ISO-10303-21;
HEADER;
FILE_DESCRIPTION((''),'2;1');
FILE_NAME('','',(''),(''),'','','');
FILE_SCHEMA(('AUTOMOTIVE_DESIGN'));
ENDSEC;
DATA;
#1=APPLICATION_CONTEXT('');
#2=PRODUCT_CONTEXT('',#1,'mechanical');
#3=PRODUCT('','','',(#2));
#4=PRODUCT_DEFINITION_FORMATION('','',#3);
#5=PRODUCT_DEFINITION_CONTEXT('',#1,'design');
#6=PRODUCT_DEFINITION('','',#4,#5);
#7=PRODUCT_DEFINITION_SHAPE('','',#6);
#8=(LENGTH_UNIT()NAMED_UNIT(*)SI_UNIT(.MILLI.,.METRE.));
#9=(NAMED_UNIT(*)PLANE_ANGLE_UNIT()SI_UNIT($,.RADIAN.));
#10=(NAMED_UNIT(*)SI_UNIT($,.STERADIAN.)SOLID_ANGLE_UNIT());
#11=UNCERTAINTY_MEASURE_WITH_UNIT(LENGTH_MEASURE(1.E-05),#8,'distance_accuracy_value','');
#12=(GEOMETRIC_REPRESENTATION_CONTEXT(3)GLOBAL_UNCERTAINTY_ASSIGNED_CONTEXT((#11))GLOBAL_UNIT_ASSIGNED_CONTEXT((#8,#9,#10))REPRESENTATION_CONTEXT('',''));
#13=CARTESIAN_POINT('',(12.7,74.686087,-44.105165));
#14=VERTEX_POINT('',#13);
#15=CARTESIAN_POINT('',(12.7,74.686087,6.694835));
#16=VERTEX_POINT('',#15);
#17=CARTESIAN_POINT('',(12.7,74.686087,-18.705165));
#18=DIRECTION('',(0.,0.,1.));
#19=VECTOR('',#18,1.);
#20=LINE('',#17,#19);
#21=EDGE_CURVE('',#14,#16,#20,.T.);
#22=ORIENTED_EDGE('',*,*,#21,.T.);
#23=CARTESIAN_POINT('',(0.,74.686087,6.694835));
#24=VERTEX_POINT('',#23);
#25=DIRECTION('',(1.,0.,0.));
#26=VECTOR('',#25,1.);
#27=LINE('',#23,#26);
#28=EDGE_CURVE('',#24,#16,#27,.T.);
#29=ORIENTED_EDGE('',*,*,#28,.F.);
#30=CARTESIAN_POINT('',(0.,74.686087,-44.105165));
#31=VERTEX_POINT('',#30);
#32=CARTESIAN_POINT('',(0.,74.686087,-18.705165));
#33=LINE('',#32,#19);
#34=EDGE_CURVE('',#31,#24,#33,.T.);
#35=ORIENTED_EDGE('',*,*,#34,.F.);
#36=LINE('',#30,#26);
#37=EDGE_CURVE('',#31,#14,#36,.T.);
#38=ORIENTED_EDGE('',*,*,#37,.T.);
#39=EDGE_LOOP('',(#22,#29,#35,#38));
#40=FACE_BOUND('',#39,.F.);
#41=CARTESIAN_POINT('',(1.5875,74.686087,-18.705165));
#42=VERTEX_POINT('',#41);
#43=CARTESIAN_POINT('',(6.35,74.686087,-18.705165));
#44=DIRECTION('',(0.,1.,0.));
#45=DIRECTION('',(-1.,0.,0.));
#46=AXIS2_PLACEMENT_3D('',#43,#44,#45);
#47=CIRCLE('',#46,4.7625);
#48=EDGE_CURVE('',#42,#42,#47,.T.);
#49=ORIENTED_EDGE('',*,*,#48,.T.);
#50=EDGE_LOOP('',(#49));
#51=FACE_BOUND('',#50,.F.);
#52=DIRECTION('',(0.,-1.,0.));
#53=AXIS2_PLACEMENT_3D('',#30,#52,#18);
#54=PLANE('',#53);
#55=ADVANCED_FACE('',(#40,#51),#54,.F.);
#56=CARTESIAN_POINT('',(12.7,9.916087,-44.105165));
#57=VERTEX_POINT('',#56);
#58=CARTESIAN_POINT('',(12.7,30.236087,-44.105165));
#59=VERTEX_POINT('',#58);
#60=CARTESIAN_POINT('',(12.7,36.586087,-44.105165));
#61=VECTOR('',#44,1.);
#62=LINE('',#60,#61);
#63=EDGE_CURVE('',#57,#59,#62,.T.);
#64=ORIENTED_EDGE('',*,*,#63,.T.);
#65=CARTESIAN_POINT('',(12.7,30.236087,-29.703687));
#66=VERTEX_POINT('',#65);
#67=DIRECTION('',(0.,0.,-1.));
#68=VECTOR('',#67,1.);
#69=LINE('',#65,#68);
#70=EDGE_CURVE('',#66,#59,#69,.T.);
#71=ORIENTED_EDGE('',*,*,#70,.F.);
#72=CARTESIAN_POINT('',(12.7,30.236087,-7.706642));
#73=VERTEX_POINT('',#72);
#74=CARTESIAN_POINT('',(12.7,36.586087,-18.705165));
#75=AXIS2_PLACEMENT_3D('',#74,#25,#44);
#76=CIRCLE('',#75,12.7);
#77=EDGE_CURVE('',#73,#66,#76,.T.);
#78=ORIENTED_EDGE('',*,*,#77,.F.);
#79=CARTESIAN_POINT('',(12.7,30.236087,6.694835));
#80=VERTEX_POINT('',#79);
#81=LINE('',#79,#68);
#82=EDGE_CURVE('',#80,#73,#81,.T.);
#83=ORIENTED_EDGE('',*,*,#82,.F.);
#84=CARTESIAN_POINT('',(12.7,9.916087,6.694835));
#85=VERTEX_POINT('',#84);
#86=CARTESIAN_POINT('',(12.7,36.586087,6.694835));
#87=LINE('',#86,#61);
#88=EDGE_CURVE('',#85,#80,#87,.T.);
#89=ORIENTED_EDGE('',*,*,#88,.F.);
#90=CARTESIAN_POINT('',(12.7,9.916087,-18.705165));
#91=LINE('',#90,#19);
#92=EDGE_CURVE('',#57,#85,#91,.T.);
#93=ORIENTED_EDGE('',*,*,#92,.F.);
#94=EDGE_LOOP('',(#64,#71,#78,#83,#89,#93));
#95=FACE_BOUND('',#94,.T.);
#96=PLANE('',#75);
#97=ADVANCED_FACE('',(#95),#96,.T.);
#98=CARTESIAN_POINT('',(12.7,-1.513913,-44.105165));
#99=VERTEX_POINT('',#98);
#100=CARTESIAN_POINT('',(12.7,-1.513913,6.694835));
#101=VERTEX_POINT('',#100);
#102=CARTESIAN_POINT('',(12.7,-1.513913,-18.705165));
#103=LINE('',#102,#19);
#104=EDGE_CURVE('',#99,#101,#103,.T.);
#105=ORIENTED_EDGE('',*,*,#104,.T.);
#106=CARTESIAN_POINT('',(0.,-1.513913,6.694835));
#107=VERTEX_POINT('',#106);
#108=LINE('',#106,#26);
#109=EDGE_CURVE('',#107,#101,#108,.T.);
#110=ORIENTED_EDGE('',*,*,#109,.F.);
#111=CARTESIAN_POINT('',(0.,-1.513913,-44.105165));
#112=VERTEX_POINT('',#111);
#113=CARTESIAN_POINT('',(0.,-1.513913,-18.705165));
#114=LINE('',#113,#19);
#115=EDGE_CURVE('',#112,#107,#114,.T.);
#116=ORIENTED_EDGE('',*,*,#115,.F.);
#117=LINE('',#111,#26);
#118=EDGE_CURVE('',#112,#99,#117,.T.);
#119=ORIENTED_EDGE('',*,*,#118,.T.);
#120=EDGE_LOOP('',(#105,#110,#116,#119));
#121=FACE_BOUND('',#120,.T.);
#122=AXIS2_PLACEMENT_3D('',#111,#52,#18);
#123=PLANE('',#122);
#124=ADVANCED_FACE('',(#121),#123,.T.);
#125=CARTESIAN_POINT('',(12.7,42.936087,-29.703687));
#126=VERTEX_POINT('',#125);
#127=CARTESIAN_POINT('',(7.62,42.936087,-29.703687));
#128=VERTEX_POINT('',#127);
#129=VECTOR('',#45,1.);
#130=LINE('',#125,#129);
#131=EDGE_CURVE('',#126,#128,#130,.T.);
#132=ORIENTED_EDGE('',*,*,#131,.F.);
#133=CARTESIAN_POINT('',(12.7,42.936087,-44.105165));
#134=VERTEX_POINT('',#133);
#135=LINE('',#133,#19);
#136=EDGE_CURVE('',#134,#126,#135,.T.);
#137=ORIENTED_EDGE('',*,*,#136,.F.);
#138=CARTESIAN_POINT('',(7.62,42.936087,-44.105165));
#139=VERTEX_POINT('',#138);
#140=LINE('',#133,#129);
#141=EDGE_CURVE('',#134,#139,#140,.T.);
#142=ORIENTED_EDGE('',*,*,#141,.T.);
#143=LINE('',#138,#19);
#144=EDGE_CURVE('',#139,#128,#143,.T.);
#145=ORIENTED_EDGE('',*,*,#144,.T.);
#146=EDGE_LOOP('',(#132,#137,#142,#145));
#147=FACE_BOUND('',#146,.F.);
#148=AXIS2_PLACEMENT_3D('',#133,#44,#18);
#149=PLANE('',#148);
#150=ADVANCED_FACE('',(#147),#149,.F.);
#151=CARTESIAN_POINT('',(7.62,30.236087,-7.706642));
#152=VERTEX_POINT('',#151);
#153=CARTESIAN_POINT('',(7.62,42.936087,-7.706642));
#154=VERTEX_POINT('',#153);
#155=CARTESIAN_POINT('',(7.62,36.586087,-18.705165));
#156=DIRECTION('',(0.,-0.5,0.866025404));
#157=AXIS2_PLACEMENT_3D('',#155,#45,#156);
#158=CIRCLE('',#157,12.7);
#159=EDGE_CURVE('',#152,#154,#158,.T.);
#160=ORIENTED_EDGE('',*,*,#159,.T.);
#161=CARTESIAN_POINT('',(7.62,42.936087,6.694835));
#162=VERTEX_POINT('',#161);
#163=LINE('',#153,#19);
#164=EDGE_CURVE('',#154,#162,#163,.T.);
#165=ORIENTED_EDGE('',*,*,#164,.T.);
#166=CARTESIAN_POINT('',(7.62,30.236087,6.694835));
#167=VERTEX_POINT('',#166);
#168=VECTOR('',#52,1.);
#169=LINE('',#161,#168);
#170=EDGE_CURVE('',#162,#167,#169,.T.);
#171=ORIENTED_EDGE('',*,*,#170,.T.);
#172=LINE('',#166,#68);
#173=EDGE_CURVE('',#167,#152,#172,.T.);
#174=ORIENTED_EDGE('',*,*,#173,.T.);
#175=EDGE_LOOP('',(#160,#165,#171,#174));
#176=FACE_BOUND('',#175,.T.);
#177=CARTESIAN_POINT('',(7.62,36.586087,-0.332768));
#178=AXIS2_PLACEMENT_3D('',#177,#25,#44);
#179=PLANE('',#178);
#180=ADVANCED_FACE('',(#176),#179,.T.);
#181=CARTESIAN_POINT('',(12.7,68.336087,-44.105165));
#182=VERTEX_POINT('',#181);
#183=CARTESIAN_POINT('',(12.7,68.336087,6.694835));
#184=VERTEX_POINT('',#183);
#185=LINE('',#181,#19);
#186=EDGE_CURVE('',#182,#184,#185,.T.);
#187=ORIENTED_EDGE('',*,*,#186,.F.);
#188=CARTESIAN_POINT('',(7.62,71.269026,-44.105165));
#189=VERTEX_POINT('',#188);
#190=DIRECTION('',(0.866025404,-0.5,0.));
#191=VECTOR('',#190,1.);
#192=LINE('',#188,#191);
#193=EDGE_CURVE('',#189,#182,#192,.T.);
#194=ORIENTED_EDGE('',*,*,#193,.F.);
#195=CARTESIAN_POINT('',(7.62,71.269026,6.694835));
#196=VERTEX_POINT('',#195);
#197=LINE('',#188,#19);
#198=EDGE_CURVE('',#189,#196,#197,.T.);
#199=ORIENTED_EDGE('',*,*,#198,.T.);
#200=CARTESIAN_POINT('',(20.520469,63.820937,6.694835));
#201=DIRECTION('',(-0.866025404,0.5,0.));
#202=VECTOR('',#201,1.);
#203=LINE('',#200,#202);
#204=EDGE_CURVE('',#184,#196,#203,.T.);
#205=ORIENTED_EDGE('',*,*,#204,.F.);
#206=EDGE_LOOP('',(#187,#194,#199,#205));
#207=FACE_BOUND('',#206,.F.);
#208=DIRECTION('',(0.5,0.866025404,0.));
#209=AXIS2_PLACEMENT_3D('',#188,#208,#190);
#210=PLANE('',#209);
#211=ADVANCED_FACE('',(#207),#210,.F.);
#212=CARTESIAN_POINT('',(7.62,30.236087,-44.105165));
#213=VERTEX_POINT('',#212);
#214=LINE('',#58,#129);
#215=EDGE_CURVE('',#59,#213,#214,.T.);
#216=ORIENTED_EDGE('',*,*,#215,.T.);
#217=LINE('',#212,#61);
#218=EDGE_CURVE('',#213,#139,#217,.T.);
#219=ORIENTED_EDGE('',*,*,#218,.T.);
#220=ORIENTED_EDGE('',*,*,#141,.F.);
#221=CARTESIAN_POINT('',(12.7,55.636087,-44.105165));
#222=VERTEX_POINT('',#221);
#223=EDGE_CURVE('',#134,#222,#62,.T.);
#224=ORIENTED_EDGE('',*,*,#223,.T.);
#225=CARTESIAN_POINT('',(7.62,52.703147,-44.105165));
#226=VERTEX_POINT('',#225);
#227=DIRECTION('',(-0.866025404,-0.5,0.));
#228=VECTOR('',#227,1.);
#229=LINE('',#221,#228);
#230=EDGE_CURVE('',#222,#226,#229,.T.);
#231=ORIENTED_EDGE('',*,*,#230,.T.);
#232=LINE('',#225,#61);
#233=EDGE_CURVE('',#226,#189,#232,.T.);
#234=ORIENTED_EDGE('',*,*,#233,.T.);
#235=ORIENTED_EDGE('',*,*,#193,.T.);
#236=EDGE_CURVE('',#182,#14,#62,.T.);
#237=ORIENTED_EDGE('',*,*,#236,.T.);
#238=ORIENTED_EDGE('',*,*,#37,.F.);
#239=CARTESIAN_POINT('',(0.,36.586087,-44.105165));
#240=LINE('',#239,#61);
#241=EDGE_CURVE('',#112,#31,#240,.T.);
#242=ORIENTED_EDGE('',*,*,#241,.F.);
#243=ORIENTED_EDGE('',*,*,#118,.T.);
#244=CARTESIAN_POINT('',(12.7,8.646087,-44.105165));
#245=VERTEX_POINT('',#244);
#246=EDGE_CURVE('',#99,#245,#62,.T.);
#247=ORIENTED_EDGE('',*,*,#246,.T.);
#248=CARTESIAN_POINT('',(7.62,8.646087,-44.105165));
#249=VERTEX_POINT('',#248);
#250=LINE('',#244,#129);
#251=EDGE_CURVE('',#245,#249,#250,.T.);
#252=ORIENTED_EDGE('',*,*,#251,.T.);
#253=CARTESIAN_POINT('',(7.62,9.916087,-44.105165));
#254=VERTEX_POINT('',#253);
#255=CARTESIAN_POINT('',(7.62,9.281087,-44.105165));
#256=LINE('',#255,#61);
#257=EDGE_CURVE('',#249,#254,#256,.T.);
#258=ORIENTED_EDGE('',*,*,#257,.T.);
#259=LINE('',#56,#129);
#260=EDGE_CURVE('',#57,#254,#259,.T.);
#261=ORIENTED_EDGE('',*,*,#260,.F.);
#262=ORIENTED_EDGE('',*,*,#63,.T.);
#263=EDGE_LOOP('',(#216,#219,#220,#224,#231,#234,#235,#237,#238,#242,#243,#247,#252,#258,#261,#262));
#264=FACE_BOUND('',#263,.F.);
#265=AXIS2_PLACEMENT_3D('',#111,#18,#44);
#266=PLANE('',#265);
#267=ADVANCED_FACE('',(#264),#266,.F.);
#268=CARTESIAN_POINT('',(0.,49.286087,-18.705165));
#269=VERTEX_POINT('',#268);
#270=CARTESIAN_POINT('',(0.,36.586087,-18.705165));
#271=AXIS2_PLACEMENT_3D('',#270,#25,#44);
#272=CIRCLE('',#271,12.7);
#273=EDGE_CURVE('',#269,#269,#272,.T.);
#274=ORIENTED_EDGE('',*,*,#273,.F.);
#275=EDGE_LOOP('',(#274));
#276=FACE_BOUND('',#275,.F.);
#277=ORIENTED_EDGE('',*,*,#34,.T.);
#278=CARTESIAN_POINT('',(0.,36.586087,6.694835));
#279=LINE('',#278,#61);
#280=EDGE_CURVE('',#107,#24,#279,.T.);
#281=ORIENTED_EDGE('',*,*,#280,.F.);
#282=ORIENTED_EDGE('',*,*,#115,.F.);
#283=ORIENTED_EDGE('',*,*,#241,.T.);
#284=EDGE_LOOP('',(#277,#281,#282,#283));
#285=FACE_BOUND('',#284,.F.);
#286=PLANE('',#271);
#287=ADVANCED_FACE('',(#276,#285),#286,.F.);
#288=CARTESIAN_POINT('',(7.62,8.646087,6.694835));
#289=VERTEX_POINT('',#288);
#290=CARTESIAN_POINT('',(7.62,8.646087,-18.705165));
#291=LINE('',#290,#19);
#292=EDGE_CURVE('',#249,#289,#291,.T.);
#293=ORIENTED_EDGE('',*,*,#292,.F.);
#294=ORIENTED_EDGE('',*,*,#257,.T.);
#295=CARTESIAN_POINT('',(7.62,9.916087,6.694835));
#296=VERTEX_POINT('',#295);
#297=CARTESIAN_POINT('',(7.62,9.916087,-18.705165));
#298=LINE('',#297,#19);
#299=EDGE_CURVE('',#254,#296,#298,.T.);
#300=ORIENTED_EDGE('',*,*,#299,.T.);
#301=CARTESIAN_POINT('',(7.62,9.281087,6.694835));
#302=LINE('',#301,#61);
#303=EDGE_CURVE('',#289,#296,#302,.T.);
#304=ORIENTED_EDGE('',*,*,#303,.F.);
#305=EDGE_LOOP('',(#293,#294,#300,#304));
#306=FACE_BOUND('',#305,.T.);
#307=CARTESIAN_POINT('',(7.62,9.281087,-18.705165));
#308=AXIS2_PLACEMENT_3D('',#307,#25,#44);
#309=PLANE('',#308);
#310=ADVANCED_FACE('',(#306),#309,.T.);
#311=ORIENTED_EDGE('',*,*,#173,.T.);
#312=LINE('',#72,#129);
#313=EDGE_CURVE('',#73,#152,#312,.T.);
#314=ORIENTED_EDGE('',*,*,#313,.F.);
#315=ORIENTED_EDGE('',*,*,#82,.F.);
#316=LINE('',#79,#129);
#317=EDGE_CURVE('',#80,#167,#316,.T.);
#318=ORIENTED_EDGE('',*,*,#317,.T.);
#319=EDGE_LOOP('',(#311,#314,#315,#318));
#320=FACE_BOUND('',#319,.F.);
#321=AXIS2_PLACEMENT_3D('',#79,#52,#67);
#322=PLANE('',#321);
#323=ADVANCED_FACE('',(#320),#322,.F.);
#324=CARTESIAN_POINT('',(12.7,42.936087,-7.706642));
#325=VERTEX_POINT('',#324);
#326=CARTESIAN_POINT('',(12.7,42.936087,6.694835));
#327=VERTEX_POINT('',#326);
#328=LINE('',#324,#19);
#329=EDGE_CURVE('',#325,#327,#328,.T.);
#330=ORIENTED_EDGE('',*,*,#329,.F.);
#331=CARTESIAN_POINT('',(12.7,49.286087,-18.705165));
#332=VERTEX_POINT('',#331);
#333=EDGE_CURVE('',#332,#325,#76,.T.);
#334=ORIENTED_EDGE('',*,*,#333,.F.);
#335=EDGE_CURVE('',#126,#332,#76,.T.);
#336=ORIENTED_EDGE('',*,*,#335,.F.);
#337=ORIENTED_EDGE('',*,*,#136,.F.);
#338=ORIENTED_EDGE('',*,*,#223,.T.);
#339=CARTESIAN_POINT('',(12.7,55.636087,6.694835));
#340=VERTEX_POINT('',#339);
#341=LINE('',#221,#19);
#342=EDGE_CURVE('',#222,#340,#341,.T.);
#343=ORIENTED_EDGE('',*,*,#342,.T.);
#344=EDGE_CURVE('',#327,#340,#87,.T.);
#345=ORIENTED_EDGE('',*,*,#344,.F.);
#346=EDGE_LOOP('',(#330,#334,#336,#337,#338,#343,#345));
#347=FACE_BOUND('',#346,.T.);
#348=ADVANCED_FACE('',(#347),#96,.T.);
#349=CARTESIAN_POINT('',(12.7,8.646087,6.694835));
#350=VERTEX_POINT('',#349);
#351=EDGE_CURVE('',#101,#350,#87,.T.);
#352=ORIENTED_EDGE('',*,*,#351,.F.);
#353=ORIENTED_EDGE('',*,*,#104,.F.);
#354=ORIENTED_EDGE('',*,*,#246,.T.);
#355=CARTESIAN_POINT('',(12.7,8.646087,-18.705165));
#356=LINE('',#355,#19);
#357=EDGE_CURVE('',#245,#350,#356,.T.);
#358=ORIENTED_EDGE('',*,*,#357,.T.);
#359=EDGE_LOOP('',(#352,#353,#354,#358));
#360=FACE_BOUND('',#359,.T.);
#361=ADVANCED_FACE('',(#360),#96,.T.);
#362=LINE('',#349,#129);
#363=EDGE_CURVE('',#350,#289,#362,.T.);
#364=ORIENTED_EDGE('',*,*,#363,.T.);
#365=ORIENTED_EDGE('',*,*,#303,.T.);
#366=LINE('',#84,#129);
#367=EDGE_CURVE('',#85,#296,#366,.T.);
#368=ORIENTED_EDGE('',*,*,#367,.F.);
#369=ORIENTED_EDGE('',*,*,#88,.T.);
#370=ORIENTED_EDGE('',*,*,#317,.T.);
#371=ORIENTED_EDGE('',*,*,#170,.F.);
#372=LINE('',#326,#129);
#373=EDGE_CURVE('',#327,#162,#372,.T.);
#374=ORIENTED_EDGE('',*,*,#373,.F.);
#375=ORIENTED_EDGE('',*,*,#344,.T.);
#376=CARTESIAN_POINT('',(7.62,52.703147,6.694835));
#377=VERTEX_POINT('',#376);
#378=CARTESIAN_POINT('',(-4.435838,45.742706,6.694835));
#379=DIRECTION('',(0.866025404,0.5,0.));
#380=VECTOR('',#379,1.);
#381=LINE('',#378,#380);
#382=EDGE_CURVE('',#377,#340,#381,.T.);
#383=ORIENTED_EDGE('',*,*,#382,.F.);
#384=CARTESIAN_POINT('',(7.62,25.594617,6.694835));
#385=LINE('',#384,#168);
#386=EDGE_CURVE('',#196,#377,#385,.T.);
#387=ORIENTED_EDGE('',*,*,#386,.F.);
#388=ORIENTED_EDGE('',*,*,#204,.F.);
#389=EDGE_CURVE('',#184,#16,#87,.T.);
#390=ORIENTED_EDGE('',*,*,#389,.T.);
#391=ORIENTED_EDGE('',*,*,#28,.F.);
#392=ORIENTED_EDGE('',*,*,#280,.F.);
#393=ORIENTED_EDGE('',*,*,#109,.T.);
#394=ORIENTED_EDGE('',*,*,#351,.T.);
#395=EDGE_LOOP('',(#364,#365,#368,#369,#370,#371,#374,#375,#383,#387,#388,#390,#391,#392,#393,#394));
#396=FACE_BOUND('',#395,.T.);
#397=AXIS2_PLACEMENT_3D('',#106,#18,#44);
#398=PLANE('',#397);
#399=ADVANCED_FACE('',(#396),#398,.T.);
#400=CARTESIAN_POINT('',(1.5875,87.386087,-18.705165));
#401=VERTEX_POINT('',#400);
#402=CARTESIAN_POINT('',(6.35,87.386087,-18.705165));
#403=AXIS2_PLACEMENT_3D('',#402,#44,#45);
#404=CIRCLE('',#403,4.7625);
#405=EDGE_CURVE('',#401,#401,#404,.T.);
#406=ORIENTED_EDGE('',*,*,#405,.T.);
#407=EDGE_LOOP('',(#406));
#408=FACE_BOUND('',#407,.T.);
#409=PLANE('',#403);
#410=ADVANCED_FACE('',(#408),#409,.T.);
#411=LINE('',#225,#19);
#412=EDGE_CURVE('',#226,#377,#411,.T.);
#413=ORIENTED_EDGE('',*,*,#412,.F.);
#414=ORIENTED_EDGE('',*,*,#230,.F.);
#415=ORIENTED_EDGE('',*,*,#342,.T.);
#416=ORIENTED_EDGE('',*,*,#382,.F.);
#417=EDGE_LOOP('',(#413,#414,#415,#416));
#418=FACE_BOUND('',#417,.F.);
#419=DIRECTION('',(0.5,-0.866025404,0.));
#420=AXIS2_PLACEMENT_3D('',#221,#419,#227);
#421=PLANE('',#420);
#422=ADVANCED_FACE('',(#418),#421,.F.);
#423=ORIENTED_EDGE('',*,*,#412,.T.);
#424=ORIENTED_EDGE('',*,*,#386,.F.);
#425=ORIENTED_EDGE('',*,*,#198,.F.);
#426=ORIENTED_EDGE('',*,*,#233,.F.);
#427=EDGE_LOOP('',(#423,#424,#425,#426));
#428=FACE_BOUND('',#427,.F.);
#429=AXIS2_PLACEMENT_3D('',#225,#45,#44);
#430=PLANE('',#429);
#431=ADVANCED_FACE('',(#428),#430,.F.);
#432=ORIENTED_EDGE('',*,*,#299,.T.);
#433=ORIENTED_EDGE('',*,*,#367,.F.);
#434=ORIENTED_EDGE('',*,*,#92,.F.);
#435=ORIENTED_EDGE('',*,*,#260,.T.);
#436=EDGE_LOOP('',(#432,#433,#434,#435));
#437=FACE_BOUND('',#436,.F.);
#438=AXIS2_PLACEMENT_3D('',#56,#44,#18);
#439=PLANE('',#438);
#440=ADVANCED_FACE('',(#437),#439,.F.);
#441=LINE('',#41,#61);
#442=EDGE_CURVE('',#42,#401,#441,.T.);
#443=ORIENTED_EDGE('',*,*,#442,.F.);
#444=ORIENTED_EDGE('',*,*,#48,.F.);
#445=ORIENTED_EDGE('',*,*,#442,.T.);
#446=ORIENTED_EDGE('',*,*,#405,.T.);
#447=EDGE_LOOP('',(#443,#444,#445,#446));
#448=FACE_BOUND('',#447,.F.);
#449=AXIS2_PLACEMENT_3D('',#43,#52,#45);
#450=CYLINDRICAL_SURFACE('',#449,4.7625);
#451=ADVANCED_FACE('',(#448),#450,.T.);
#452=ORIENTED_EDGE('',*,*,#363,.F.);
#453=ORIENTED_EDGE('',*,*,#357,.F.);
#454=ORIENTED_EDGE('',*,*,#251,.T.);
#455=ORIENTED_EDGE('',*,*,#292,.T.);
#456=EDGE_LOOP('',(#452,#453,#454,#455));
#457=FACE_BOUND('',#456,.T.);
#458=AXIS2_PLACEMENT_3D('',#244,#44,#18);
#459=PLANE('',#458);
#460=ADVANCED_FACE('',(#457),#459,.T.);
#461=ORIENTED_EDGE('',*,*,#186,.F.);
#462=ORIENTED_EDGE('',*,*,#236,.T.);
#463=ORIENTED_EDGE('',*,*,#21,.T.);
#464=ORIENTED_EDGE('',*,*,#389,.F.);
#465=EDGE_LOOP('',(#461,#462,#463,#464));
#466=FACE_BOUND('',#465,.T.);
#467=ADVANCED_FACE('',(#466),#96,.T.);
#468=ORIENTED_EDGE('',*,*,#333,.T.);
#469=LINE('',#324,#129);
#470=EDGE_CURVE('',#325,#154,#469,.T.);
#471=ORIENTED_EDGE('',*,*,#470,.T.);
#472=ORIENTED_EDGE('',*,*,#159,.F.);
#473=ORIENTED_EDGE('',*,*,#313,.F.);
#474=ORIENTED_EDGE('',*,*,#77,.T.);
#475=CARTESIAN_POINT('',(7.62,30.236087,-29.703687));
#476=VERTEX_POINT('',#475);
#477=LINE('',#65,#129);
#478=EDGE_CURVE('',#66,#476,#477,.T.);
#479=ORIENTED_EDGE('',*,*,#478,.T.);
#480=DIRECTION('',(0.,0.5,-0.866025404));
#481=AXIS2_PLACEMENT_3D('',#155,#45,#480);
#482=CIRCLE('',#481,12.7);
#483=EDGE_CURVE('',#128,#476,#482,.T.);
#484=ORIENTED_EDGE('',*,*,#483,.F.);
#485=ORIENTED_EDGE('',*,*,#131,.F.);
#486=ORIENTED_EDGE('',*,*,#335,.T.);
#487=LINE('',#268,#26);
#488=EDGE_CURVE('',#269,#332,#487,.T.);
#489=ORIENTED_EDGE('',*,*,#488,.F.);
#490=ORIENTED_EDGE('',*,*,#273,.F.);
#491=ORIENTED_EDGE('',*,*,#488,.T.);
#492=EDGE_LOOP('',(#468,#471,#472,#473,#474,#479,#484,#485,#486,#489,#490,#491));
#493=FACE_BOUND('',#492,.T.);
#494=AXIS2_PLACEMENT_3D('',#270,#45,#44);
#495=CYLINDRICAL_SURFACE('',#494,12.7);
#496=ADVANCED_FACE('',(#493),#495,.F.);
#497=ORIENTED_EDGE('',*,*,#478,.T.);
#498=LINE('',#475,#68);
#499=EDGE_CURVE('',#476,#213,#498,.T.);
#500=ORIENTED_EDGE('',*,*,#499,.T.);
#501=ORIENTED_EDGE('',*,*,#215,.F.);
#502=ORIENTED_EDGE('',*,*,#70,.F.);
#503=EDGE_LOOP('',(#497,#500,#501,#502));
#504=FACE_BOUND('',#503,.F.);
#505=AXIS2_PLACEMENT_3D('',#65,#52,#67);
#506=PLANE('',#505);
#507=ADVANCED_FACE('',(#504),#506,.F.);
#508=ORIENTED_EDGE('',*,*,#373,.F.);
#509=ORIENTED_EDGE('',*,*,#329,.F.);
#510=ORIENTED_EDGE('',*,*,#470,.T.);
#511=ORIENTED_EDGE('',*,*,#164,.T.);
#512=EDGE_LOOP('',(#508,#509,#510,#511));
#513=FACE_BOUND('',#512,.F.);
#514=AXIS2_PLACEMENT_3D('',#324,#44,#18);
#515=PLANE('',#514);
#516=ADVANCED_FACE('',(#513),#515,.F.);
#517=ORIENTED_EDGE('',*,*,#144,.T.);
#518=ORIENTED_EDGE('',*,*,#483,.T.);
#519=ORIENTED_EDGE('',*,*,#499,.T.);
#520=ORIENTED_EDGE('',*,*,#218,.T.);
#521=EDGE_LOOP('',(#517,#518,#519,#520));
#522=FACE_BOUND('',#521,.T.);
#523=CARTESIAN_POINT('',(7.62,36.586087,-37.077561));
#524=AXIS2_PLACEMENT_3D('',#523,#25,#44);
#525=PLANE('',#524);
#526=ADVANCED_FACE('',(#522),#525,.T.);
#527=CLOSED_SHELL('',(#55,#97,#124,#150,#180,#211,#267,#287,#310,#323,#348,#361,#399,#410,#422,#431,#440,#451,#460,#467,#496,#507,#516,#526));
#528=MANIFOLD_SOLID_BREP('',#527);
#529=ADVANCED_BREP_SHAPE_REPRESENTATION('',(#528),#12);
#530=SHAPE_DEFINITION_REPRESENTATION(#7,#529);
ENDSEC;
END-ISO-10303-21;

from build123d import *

# Parameters (mm, degrees)
F0_W     = 76.2
F0_H     = 50.8
F0_R     = 12.7
F1_DEPTH = 12.7
F2_W     = 1.27
F2_H     = 50.8
F3_DEPTH = 5.08
F5_DEPTH = 50.801
F6_R     = 4.7625
F7_DEPTH = 12.7


with BuildPart() as f1:
    # F0 (on Right) → F1 (new body)
    with BuildSketch(Plane.YZ):
        with Locations((36.5860867262, -18.7051647067)):
            Rectangle(F0_W, F0_H)
        with Locations((36.5860867262, -18.7051647067)):
            Circle(F0_R, mode=Mode.SUBTRACT)
    extrude(amount=F1_DEPTH)

    # F2 (on face) → F3 (cut)
    with BuildSketch(Plane.YZ.offset(12.7)):
        with Locations((9.2810867262, -18.7051647067)):
            Rectangle(F2_W, F2_H)
        with BuildLine():
            Line((42.9360867262, 6.6948352933), (30.2360867262, 6.6948352933))
            Line((30.2360867262, 6.6948352933), (30.2360867262, -7.7066420786))
            ThreePointArc((30.2360867262, -7.7066420786), (36.5860867262, -6.0051647067), (42.9360867262, -7.7066420786))
            Line((42.9360867262, -7.7066420786), (42.9360867262, 6.6948352933))
        make_face()
        with BuildLine():
            Line((30.2360867262, -29.7036873348), (30.2360867262, -44.1051647067))
            Line((30.2360867262, -44.1051647067), (42.9360867262, -44.1051647067))
            Line((42.9360867262, -44.1051647067), (42.9360867262, -29.7036873348))
            ThreePointArc((42.9360867262, -29.7036873348), (36.5860867262, -31.4051647067), (30.2360867262, -29.7036873348))
        make_face()
    extrude(amount=-F3_DEPTH, mode=Mode.SUBTRACT)

    # F4 (on face) → F5 (cut, through all)
    with BuildSketch(Plane(origin=(0, 0, -44.1051647067), x_dir=(1, 0, 0), z_dir=(0, 0, -1))):
        Polygon((12.7, -68.3360867262), (12.7, -55.6360867262), (7.62, -52.7031473587), (7.62, -71.2690260937), align=None)
    extrude(amount=-F5_DEPTH, mode=Mode.SUBTRACT)

    # F6 (on face) → F7 (join)
    with BuildSketch(Plane(origin=(0, 74.6860867262, 0), x_dir=(-1, 0, 0), z_dir=(0, 1, 0))):
        with Locations((-6.35, -18.7051647067)):
            Circle(F6_R)
    extrude(amount=F7_DEPTH)


solid = f1.part
